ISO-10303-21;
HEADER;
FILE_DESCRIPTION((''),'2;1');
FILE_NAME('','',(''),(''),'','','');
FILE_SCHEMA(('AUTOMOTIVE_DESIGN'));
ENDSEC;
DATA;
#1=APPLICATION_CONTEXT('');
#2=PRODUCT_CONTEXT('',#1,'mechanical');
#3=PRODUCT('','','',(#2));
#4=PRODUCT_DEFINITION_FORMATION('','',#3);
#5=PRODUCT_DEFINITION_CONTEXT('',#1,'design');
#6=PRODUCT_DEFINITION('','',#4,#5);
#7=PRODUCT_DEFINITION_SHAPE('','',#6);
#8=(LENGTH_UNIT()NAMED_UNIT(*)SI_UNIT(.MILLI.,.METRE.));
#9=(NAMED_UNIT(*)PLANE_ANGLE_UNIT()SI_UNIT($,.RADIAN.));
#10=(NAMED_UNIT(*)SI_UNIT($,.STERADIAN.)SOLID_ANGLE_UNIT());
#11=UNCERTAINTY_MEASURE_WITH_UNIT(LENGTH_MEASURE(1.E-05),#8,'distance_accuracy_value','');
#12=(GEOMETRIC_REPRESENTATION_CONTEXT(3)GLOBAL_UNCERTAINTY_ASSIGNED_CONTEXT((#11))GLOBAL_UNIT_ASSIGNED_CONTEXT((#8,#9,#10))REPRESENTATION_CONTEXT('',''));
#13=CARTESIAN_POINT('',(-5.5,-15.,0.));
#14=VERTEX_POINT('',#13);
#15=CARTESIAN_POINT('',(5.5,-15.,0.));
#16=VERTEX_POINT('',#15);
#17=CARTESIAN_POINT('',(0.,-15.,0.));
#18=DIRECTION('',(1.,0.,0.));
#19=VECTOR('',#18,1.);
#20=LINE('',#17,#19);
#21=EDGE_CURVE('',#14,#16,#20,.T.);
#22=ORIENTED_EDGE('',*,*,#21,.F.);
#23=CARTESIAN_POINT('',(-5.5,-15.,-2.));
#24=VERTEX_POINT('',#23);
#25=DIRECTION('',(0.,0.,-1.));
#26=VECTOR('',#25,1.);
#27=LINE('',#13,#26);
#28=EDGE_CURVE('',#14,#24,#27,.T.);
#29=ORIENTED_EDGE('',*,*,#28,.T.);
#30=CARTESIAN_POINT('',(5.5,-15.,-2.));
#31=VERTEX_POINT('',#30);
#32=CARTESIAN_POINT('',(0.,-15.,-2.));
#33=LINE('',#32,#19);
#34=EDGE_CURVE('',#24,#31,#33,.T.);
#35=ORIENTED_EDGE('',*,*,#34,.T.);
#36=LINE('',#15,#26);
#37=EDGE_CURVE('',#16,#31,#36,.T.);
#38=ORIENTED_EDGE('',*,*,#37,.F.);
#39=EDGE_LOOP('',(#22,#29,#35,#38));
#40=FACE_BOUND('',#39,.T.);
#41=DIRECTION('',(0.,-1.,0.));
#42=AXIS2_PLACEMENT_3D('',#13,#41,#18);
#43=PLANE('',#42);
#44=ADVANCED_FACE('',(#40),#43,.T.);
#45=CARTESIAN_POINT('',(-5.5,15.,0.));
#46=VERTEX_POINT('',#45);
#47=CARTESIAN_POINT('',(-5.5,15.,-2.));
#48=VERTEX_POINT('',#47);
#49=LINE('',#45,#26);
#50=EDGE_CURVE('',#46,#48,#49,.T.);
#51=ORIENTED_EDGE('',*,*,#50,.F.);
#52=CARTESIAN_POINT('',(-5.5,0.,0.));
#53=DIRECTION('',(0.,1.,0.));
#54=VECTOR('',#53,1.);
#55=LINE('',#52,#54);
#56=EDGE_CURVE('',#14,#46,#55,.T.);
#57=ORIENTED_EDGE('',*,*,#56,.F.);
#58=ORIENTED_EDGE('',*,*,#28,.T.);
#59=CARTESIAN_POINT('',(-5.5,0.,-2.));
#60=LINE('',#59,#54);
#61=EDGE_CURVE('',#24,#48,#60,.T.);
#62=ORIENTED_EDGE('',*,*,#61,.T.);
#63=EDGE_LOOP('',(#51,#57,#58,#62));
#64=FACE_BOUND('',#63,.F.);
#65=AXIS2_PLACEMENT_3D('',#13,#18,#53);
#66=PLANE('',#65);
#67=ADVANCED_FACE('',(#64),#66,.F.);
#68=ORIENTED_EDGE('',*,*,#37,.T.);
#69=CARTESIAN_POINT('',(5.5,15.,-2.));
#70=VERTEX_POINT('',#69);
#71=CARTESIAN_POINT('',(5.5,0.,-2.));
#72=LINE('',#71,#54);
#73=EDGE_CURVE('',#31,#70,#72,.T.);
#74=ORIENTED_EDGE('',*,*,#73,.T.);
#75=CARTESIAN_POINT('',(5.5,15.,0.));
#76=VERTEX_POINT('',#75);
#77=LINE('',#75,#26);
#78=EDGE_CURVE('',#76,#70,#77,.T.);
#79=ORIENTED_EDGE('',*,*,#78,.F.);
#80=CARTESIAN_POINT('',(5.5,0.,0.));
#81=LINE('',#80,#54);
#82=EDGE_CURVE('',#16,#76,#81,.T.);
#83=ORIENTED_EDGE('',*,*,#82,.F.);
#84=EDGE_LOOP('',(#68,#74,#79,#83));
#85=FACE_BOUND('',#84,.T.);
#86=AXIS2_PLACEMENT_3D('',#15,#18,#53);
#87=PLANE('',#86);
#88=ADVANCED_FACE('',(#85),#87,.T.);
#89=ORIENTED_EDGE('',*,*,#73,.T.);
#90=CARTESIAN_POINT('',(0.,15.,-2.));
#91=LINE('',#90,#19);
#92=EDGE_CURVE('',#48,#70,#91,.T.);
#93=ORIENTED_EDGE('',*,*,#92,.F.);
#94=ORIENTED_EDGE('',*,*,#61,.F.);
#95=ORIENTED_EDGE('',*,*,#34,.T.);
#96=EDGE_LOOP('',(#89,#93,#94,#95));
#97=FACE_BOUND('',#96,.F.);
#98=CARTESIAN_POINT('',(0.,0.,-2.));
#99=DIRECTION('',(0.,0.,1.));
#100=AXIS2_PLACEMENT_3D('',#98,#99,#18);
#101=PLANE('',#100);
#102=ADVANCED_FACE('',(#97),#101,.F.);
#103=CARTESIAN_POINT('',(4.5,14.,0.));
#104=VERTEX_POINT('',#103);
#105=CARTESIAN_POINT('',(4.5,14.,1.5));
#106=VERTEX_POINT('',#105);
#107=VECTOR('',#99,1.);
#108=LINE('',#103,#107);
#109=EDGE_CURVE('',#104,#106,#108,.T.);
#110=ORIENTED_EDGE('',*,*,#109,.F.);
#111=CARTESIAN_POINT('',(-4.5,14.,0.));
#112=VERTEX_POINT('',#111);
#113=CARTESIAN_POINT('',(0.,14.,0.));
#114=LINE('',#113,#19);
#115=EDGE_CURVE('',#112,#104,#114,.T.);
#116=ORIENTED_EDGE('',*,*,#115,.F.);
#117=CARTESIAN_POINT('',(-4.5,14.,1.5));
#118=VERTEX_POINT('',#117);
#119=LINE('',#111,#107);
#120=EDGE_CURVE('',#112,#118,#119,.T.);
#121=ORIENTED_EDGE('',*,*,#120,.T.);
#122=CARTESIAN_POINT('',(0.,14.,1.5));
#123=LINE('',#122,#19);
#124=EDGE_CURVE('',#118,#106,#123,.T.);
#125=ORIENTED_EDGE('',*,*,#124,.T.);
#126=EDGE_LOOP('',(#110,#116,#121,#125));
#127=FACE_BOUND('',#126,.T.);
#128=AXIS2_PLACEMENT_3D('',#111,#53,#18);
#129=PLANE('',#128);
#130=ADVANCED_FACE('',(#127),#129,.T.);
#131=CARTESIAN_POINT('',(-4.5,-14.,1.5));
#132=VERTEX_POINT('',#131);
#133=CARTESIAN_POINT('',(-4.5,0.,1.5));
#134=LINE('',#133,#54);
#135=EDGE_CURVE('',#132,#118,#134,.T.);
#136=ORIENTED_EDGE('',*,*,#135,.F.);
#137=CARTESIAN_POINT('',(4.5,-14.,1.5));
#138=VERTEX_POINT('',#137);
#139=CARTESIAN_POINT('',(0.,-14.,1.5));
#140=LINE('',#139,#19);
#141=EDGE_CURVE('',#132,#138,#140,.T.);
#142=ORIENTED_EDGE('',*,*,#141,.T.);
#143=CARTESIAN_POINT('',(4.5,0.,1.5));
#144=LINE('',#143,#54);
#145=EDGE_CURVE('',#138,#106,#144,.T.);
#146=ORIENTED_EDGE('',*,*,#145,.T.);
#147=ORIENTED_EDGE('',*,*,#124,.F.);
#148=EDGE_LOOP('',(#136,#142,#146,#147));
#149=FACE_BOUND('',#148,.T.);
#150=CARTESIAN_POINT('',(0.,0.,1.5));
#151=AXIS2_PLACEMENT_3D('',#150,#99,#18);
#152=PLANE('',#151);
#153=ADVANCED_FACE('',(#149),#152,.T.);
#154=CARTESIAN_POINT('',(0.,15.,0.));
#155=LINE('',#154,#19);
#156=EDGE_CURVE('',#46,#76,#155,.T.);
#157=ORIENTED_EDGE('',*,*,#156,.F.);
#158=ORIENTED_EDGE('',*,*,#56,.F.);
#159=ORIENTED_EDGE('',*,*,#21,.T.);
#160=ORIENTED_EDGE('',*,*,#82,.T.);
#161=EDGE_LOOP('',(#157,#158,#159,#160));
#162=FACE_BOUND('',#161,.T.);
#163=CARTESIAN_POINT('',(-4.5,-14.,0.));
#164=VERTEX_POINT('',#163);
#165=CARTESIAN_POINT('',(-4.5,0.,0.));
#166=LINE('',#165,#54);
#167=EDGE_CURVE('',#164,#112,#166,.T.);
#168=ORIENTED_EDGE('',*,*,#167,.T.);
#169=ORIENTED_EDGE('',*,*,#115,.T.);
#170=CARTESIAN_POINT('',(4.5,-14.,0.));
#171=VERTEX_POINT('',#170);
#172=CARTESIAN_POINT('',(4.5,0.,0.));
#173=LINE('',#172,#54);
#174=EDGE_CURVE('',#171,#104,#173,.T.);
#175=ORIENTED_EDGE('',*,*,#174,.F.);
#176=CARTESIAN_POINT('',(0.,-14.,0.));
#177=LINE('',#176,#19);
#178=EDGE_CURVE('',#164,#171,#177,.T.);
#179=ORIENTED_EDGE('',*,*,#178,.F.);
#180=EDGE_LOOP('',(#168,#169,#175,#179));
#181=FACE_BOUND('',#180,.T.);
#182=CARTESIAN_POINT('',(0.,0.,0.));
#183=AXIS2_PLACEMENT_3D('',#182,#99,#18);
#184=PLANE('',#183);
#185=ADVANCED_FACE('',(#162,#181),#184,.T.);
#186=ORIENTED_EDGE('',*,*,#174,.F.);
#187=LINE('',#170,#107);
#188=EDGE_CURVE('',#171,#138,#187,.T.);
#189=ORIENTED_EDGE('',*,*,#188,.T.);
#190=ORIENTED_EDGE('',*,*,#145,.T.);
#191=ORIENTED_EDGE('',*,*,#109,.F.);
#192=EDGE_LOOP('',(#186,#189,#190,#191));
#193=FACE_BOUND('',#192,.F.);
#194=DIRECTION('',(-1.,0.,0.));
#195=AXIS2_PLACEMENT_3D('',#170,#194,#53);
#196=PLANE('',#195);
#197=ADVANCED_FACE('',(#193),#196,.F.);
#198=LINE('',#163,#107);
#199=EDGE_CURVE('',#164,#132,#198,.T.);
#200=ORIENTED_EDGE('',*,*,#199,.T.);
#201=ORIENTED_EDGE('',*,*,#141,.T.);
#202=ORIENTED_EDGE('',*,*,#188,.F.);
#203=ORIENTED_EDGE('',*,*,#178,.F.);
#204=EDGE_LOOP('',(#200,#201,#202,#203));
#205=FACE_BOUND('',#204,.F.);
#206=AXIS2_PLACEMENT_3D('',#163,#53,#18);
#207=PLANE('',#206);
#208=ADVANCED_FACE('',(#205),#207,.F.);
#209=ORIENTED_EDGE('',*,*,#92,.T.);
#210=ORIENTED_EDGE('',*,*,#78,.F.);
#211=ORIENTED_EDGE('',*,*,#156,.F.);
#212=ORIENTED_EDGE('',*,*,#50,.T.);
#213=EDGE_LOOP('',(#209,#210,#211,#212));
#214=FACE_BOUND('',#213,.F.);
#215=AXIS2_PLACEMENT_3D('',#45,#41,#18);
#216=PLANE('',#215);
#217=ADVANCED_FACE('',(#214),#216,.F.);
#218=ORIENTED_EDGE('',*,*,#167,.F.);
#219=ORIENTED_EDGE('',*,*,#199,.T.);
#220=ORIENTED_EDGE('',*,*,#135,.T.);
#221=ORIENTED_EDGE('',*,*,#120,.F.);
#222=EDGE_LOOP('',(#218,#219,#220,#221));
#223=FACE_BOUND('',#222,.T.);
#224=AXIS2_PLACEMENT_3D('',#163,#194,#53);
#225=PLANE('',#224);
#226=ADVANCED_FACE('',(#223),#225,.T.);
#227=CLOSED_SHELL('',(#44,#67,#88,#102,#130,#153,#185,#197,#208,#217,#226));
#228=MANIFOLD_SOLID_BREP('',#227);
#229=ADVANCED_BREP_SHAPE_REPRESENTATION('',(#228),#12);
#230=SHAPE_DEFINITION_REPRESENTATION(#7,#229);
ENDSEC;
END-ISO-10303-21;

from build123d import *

# Parameters (mm, degrees)
F0_W     = 11
F0_H     = 30
F0_W_2   = 9
F0_H_2   = 28
F1_DEPTH = 2
F2_W     = 9
F2_H     = 28
F3_DEPTH = 1.5


with BuildPart() as f1:
    # F0 (on Top) → F1 (new body)
    with BuildSketch(Plane.XY):
        Rectangle(F0_W, F0_H)
        Rectangle(F0_W_2, F0_H_2, mode=Mode.SUBTRACT)
        Rectangle(F0_W_2, F0_H_2)
    extrude(amount=-F1_DEPTH)

    # F2 (on face) → F3 (join)
    with BuildSketch(Plane.XY):
        Rectangle(F2_W, F2_H)
    extrude(amount=F3_DEPTH)


solid = f1.part
